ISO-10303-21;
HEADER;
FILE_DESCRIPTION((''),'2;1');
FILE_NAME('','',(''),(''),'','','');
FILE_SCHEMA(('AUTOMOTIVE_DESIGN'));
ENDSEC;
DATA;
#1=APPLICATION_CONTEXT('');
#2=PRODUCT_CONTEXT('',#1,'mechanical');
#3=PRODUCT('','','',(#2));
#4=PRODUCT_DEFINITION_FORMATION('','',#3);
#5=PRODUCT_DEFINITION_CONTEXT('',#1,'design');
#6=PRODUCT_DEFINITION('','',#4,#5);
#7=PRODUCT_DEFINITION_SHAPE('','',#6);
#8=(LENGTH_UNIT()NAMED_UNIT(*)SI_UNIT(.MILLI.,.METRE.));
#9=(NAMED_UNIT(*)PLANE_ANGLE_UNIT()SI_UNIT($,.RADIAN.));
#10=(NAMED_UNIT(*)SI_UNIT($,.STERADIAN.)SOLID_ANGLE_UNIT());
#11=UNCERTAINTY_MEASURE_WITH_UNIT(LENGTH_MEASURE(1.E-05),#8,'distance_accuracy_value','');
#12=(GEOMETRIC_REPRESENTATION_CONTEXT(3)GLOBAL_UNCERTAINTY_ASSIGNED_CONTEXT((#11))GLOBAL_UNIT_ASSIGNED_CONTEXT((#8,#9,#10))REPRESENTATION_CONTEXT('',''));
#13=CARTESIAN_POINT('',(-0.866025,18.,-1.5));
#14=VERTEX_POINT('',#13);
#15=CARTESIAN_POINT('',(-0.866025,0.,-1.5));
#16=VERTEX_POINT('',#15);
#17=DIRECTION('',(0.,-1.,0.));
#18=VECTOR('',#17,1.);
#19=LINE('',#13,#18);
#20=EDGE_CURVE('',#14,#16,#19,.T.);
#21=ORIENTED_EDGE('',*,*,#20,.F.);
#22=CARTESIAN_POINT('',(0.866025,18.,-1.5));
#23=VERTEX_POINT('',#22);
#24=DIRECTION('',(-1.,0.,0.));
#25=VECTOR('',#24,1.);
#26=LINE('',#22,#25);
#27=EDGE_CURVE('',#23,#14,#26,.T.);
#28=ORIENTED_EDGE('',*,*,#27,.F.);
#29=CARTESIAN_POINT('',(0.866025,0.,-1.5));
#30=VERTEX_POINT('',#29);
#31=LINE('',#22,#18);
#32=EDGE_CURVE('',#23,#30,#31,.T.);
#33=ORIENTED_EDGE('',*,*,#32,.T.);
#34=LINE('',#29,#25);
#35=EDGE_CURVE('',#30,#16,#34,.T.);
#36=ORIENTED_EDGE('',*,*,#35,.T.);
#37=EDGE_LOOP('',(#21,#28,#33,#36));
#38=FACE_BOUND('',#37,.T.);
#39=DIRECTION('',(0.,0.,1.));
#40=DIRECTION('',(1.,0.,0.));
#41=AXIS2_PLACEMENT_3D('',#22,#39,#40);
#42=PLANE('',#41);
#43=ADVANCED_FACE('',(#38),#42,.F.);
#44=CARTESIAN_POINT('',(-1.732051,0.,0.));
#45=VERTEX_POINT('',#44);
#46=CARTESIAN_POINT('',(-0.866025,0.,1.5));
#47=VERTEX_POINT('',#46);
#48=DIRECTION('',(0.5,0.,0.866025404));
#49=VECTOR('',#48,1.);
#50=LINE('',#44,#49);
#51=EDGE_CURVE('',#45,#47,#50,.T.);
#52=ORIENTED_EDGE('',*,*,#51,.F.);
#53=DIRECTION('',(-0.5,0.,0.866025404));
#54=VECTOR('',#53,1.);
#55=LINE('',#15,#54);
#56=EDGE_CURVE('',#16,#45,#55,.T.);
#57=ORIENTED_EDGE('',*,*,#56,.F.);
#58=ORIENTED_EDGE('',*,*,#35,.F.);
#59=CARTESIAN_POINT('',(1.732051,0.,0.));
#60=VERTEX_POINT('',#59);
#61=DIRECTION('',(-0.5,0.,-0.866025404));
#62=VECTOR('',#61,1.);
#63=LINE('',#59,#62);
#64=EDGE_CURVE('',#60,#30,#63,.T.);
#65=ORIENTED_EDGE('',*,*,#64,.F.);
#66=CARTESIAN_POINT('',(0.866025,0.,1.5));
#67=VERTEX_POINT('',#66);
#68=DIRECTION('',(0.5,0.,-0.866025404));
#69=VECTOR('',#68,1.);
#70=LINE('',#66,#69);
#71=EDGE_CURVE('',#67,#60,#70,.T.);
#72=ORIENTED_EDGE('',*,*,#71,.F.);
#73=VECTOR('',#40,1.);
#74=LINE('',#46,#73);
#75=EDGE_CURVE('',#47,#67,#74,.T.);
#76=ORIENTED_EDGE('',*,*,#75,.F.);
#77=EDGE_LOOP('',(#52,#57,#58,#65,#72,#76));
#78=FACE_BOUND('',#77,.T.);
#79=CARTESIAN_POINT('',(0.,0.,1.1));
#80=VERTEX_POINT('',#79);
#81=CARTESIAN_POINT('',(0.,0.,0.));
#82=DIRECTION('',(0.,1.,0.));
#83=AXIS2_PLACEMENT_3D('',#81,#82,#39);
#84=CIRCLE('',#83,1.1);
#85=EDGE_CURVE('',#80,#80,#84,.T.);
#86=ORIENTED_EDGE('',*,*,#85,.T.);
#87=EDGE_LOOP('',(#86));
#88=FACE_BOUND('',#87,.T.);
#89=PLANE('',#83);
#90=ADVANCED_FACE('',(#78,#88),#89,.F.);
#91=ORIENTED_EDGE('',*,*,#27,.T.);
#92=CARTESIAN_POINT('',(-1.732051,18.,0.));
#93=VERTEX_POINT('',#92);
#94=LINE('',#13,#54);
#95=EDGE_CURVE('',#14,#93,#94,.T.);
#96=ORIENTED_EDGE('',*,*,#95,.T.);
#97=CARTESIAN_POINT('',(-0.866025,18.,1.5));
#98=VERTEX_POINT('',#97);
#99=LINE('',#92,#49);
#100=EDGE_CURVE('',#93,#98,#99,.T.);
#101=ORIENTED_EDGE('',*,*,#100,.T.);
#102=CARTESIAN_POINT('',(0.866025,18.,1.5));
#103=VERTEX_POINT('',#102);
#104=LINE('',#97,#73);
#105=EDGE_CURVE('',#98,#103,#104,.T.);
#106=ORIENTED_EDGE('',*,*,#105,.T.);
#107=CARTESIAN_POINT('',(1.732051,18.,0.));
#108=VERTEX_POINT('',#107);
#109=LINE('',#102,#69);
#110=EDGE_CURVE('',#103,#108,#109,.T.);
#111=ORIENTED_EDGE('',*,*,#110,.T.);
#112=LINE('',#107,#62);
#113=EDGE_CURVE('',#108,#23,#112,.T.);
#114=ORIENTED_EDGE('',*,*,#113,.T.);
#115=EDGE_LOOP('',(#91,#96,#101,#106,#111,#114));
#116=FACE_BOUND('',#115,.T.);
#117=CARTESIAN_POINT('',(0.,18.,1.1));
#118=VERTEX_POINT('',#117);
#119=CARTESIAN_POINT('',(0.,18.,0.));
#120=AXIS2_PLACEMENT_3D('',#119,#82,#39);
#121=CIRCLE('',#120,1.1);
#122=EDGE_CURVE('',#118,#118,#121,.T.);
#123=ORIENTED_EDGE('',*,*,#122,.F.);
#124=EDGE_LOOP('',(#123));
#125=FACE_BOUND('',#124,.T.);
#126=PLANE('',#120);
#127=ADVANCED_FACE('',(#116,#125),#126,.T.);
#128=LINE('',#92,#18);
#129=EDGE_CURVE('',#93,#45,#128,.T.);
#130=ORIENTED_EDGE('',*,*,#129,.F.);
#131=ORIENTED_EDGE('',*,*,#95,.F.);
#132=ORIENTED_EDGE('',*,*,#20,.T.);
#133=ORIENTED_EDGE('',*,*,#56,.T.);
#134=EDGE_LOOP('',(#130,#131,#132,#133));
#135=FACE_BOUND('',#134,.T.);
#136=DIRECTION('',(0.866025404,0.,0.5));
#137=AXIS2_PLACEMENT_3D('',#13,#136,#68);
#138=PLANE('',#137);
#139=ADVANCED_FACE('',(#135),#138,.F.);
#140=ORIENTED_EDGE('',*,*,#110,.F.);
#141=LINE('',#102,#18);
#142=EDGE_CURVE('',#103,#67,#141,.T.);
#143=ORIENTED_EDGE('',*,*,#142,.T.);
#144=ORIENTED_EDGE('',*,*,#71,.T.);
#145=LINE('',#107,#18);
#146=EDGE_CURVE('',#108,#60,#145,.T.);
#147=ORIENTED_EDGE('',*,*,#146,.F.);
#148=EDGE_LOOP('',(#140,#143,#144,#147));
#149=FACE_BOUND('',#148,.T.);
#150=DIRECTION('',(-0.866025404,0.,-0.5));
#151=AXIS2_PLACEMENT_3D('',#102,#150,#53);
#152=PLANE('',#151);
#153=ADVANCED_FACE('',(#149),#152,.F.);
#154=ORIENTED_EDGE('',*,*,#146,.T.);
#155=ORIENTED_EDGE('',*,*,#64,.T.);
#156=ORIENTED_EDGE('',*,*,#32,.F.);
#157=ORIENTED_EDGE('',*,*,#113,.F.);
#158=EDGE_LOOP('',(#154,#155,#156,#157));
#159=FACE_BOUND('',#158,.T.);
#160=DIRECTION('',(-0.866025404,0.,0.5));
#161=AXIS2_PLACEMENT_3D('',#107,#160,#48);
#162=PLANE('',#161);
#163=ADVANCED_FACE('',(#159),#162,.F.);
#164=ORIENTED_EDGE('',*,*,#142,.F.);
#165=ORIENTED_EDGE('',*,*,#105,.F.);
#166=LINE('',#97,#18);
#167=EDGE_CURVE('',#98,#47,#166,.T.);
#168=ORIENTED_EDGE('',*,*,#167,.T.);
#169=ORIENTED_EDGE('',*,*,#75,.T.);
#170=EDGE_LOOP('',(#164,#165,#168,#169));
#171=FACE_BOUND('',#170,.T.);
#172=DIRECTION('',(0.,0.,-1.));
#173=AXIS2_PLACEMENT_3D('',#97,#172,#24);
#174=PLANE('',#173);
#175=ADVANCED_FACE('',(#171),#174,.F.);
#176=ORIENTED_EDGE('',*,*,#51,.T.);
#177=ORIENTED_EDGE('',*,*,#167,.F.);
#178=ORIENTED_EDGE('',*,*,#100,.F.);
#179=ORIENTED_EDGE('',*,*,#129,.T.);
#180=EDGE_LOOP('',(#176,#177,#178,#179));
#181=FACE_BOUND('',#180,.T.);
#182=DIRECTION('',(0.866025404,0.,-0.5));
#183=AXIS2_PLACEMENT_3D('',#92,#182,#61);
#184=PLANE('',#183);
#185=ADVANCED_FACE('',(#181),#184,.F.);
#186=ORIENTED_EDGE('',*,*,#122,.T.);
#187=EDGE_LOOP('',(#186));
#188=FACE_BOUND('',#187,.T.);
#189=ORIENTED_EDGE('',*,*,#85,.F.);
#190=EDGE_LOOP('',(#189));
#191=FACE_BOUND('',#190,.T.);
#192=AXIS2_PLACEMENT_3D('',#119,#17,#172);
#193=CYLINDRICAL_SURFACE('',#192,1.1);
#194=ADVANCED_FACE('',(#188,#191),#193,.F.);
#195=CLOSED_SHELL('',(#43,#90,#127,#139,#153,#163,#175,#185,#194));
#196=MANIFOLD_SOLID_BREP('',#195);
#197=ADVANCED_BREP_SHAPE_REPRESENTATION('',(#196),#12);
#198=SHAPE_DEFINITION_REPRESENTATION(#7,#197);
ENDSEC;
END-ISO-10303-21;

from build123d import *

# Parameters (mm, degrees)
SKETCH1_R           = 1.1
BOSS_EXTRUDE1_DEPTH = 18


with BuildPart() as part:
    # Sketch1 → Boss-Extrude1 (new body)
    with BuildSketch(Plane(origin=(0, 0, 0), x_dir=(1, 0, 0), z_dir=(0, 1, 0))):
        Polygon((0.866025404, -1.5), (1.732050808, 0), (0.866025404, 1.5), (-0.866025404, 1.5), (-1.732050808, 0), (-0.866025404, -1.5), align=None)
        with Locations(Location((0, 0, 0), (0, 0, 270))):
            Circle(SKETCH1_R, mode=Mode.SUBTRACT)
    extrude(amount=BOSS_EXTRUDE1_DEPTH)


solid = part.part
